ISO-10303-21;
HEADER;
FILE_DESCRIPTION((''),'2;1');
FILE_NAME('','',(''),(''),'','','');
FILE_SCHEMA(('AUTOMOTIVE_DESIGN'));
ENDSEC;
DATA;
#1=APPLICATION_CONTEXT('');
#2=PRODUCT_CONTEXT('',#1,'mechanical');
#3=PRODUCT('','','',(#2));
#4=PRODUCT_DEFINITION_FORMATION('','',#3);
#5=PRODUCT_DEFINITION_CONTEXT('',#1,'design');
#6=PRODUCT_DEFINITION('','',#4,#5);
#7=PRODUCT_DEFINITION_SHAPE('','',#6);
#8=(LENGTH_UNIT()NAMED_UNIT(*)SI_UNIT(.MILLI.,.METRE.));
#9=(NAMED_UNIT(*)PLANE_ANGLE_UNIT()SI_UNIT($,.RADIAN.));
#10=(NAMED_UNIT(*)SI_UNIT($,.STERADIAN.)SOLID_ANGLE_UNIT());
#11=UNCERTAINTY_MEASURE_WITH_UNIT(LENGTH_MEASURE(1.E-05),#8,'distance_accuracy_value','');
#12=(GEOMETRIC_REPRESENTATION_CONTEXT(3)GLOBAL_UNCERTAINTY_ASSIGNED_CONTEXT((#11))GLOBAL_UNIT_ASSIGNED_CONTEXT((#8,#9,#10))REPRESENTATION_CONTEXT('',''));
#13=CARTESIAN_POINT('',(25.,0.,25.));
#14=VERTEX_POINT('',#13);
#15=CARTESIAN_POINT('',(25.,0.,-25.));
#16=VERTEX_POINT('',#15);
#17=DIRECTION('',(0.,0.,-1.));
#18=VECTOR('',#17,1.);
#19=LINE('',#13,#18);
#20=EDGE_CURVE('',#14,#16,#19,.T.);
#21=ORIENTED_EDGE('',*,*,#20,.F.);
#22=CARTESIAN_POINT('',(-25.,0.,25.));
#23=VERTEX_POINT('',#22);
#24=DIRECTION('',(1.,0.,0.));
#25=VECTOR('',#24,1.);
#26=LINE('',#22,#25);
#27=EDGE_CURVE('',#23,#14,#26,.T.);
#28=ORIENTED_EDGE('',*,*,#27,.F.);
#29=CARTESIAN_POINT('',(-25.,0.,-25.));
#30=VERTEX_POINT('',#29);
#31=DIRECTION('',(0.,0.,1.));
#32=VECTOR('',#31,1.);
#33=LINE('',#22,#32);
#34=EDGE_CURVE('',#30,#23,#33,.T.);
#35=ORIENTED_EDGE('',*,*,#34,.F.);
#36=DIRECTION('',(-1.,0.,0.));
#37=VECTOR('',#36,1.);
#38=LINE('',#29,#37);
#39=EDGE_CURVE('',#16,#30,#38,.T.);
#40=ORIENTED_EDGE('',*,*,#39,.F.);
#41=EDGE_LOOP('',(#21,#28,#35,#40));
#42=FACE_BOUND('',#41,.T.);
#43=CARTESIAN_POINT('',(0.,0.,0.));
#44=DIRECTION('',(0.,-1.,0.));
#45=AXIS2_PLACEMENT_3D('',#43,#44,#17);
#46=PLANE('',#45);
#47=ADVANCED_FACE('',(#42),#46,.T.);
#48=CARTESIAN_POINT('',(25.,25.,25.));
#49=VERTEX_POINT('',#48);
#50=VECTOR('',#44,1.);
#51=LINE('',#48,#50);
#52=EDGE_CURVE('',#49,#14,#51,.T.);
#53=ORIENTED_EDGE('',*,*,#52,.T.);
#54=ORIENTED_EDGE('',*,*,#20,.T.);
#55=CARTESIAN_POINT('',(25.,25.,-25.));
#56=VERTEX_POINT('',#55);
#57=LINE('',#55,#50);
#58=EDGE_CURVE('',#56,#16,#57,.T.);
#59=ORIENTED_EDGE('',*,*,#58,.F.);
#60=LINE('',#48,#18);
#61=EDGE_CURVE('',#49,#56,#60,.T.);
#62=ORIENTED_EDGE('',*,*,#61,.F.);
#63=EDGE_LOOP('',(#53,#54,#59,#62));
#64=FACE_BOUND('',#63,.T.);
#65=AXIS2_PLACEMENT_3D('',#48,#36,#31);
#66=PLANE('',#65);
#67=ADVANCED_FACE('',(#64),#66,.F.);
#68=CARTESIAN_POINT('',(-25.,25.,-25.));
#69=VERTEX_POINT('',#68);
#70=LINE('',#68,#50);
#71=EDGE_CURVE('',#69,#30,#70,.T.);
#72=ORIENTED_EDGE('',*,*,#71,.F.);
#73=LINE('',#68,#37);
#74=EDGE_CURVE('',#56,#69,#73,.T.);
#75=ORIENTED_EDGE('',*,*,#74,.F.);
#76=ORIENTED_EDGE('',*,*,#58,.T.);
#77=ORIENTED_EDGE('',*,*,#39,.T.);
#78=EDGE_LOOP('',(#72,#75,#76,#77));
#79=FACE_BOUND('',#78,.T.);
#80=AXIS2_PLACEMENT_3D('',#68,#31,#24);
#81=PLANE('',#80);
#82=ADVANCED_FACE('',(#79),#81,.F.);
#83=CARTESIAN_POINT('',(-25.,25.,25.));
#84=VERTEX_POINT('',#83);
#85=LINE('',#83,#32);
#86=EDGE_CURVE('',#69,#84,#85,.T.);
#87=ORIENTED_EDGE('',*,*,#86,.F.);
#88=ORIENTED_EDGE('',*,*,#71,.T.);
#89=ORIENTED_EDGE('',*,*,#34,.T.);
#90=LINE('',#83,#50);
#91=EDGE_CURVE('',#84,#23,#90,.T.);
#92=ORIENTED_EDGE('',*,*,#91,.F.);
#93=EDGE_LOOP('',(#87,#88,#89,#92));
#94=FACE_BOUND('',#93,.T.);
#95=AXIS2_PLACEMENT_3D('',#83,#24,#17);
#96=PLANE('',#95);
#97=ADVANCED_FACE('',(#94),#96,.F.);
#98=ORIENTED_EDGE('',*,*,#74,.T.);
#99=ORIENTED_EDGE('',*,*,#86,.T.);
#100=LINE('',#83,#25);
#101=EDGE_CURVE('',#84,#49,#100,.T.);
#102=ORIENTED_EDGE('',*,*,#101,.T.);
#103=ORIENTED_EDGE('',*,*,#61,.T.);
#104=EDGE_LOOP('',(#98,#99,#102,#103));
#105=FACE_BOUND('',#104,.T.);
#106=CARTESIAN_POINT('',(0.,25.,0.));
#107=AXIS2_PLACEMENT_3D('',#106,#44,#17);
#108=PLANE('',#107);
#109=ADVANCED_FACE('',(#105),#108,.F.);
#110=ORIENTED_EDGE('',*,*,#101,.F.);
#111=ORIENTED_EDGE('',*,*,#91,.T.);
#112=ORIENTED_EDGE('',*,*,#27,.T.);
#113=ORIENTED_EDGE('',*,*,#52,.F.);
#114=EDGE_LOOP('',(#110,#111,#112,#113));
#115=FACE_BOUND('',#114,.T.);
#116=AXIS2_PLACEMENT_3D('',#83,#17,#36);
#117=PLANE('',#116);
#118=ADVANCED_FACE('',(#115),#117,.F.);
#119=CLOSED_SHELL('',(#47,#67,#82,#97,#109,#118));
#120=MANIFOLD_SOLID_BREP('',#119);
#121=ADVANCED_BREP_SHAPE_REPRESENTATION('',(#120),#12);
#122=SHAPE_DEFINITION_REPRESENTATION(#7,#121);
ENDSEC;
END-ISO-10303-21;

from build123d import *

# Parameters (mm, degrees)
SKETCH_1_W      = 50
SKETCH_1_H      = 50
EXTRUDE_1_DEPTH = 25


with BuildPart() as part:
    # 草图1 → 凸台-拉伸1 (new body)
    with BuildSketch(Plane(origin=(0, 0, 0), x_dir=(1, 0, 0), z_dir=(0, 1, 0))):
        Rectangle(SKETCH_1_W, SKETCH_1_H)
    extrude(amount=EXTRUDE_1_DEPTH)


solid = part.part
